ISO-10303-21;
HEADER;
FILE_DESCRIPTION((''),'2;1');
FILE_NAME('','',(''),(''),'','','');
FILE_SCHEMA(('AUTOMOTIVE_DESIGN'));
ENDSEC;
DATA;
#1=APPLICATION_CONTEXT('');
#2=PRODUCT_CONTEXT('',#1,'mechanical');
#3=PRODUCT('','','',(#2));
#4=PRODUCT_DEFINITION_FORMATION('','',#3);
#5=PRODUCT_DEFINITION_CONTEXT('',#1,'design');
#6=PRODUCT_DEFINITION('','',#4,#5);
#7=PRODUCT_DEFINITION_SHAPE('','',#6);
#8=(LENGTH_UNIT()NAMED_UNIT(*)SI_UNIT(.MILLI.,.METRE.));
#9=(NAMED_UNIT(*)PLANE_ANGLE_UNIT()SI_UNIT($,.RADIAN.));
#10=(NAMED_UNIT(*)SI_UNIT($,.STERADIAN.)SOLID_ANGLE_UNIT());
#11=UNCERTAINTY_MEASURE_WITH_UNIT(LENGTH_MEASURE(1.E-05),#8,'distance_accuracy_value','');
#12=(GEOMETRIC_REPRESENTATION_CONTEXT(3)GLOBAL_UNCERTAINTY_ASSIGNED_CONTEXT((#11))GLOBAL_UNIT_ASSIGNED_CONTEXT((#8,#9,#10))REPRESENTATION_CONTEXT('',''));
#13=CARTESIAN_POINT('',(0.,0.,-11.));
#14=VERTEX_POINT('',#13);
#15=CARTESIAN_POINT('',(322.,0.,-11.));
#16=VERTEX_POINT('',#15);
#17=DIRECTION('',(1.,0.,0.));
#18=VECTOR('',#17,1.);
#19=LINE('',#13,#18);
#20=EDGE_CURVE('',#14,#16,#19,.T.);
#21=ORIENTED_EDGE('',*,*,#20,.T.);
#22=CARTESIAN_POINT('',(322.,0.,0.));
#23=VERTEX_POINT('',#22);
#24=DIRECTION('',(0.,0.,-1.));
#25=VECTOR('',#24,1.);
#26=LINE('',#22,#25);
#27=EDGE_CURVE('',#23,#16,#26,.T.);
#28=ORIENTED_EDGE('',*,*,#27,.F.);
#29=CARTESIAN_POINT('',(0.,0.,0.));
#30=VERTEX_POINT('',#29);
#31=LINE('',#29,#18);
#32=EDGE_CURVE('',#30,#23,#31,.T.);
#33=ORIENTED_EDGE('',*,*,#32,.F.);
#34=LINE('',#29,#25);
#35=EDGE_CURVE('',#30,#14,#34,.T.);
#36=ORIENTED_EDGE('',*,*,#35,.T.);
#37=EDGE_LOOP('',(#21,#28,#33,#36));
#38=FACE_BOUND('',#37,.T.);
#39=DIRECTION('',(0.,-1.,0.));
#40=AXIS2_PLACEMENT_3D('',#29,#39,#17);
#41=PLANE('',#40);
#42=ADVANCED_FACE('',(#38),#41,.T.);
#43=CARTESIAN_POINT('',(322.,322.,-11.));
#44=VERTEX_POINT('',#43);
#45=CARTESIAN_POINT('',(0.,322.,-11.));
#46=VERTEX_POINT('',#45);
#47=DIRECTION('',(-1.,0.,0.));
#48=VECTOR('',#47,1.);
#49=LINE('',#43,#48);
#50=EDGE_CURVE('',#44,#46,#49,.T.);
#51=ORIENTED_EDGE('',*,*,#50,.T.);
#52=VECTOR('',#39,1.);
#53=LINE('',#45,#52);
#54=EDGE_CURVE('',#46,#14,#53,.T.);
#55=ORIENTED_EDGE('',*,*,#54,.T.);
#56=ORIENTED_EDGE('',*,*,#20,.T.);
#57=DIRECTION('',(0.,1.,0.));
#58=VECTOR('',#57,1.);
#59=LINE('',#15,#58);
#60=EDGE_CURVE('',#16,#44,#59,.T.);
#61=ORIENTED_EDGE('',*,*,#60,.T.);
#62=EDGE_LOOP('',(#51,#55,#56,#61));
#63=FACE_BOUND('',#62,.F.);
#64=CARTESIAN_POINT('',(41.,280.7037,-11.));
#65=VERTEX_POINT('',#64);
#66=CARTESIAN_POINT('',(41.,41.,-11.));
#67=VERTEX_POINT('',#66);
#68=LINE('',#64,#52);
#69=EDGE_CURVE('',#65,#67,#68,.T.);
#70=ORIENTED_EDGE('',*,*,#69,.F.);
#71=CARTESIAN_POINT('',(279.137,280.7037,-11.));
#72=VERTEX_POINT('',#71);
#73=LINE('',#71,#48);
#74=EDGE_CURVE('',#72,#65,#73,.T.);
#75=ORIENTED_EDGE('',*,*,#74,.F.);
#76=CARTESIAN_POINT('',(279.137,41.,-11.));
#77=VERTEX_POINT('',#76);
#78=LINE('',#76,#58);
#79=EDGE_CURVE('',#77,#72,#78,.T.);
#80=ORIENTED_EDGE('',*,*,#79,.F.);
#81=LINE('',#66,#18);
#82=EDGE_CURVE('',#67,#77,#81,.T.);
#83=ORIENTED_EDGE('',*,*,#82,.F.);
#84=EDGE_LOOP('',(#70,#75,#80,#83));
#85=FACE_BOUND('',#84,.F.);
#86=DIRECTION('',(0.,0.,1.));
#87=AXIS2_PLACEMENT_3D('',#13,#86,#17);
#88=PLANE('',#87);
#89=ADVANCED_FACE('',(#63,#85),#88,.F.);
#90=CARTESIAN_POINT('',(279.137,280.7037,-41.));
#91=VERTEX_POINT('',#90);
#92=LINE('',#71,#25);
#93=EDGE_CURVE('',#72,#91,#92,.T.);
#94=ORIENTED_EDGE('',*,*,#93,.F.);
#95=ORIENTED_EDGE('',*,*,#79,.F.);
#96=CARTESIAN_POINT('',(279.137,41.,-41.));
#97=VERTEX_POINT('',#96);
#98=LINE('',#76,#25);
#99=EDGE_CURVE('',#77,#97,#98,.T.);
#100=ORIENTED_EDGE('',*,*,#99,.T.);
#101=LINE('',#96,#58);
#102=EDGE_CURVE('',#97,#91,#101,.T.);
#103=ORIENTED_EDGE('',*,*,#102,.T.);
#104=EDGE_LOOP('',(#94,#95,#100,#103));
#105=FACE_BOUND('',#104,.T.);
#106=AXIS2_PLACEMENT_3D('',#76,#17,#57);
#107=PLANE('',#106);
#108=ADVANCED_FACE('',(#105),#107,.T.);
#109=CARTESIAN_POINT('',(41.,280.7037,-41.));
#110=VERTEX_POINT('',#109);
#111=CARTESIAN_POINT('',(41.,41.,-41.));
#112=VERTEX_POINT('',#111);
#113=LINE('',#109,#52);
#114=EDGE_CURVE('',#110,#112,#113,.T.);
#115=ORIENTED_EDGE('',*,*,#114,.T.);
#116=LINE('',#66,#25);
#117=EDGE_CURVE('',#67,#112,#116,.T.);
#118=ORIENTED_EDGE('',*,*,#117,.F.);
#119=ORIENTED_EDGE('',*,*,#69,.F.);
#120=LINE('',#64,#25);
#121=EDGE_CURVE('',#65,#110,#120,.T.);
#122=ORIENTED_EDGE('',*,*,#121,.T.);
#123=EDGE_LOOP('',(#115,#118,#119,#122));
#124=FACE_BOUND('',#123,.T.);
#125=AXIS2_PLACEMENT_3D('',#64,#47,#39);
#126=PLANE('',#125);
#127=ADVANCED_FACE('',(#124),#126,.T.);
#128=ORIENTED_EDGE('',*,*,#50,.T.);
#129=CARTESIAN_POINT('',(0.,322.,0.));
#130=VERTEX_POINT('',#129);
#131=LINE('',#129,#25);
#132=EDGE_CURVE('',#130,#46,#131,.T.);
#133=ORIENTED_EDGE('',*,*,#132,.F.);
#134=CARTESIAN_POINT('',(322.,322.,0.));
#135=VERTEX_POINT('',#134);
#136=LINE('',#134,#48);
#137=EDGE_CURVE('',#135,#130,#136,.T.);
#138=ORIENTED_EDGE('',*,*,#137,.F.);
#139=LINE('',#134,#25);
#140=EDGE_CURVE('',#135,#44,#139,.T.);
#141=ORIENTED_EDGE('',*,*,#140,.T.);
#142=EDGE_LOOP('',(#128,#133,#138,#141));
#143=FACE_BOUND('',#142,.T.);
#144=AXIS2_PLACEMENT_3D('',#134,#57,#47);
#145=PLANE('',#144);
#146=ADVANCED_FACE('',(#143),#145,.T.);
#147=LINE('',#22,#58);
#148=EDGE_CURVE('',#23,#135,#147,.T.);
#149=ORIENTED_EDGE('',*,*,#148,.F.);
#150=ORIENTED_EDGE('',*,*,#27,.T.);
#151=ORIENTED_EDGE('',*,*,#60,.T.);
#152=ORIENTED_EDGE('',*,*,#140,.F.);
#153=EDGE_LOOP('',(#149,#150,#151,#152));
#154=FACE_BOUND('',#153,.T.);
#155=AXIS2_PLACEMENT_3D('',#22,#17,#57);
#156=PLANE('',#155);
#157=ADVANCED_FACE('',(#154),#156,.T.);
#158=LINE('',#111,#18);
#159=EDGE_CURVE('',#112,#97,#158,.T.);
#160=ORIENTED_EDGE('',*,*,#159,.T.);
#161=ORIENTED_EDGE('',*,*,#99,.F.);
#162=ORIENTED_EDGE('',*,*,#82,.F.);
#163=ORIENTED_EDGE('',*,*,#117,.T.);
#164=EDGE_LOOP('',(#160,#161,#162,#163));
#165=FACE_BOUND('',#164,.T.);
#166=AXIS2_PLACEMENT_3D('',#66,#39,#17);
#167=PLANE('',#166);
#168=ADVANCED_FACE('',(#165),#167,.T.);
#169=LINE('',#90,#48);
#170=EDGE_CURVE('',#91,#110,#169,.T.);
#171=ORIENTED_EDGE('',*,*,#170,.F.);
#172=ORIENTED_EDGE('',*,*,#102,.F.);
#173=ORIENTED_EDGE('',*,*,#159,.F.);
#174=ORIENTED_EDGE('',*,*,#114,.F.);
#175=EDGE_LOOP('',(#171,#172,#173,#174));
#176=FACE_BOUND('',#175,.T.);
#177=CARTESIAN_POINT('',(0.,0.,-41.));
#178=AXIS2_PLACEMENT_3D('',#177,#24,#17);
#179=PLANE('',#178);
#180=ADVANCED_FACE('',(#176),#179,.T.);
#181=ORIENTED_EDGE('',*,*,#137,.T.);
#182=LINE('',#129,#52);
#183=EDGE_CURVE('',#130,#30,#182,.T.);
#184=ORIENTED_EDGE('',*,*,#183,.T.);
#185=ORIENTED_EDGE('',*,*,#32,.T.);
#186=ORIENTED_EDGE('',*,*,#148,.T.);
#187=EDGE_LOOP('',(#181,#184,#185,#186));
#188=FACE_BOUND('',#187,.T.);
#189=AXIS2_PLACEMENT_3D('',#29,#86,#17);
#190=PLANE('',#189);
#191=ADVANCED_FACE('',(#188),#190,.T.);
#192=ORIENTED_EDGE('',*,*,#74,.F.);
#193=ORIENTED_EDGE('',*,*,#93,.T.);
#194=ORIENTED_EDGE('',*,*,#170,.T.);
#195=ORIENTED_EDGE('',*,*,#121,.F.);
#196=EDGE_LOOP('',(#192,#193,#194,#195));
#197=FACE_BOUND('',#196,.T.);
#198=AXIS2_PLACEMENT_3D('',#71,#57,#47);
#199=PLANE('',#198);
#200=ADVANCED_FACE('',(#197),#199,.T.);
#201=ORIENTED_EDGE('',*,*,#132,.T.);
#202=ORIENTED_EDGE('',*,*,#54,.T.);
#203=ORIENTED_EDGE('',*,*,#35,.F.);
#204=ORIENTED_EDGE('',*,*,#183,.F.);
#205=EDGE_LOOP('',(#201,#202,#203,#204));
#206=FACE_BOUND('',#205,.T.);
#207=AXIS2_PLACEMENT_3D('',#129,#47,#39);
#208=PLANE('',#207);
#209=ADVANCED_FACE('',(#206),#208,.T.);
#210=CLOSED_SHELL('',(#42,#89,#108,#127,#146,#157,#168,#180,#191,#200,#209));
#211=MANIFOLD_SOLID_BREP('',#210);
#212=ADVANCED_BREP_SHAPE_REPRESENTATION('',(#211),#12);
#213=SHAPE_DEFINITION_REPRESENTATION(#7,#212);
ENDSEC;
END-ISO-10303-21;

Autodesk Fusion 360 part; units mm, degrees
sketch "Sketch1" plane through (0, 0, 0) normal (0, 0, 1) x (1, 0, 0)
  line L0 (0, 0) -> (322, 0)
  line L1 (322, 0) -> (322, 322)
  line L2 (322, 322) -> (0, 322)
  line L3 (0, 322) -> (0, 0)
  dimension "d1" = 322
  dimension "d2" = 322
extrude "Extrude1" add sketch "Sketch1" against normal blind 11
sketch "Sketch2" plane through (0, 0, -11) normal (0, 0, -1) x (1, 0, 0)
  line L0 (0, 0) -> (0, -322)
  line L1 (0, -322) -> (322, -322)
  line L2 (322, -322) -> (322, 0)
  line L3 (322, 0) -> (0, 0)
  line L4 (41, -41) -> (279.137, -41)
  line L5 (279.137, -41) -> (279.137, -280.7037)
  line L6 (279.137, -280.7037) -> (41, -280.7037)
  line L7 (41, -280.7037) -> (41, -41)
  dimension "d7" = 41
  dimension "d8" = 41
extrude "Extrude2" add sketch "Sketch2" along normal blind 30 contours L4 L5 L6 L7
